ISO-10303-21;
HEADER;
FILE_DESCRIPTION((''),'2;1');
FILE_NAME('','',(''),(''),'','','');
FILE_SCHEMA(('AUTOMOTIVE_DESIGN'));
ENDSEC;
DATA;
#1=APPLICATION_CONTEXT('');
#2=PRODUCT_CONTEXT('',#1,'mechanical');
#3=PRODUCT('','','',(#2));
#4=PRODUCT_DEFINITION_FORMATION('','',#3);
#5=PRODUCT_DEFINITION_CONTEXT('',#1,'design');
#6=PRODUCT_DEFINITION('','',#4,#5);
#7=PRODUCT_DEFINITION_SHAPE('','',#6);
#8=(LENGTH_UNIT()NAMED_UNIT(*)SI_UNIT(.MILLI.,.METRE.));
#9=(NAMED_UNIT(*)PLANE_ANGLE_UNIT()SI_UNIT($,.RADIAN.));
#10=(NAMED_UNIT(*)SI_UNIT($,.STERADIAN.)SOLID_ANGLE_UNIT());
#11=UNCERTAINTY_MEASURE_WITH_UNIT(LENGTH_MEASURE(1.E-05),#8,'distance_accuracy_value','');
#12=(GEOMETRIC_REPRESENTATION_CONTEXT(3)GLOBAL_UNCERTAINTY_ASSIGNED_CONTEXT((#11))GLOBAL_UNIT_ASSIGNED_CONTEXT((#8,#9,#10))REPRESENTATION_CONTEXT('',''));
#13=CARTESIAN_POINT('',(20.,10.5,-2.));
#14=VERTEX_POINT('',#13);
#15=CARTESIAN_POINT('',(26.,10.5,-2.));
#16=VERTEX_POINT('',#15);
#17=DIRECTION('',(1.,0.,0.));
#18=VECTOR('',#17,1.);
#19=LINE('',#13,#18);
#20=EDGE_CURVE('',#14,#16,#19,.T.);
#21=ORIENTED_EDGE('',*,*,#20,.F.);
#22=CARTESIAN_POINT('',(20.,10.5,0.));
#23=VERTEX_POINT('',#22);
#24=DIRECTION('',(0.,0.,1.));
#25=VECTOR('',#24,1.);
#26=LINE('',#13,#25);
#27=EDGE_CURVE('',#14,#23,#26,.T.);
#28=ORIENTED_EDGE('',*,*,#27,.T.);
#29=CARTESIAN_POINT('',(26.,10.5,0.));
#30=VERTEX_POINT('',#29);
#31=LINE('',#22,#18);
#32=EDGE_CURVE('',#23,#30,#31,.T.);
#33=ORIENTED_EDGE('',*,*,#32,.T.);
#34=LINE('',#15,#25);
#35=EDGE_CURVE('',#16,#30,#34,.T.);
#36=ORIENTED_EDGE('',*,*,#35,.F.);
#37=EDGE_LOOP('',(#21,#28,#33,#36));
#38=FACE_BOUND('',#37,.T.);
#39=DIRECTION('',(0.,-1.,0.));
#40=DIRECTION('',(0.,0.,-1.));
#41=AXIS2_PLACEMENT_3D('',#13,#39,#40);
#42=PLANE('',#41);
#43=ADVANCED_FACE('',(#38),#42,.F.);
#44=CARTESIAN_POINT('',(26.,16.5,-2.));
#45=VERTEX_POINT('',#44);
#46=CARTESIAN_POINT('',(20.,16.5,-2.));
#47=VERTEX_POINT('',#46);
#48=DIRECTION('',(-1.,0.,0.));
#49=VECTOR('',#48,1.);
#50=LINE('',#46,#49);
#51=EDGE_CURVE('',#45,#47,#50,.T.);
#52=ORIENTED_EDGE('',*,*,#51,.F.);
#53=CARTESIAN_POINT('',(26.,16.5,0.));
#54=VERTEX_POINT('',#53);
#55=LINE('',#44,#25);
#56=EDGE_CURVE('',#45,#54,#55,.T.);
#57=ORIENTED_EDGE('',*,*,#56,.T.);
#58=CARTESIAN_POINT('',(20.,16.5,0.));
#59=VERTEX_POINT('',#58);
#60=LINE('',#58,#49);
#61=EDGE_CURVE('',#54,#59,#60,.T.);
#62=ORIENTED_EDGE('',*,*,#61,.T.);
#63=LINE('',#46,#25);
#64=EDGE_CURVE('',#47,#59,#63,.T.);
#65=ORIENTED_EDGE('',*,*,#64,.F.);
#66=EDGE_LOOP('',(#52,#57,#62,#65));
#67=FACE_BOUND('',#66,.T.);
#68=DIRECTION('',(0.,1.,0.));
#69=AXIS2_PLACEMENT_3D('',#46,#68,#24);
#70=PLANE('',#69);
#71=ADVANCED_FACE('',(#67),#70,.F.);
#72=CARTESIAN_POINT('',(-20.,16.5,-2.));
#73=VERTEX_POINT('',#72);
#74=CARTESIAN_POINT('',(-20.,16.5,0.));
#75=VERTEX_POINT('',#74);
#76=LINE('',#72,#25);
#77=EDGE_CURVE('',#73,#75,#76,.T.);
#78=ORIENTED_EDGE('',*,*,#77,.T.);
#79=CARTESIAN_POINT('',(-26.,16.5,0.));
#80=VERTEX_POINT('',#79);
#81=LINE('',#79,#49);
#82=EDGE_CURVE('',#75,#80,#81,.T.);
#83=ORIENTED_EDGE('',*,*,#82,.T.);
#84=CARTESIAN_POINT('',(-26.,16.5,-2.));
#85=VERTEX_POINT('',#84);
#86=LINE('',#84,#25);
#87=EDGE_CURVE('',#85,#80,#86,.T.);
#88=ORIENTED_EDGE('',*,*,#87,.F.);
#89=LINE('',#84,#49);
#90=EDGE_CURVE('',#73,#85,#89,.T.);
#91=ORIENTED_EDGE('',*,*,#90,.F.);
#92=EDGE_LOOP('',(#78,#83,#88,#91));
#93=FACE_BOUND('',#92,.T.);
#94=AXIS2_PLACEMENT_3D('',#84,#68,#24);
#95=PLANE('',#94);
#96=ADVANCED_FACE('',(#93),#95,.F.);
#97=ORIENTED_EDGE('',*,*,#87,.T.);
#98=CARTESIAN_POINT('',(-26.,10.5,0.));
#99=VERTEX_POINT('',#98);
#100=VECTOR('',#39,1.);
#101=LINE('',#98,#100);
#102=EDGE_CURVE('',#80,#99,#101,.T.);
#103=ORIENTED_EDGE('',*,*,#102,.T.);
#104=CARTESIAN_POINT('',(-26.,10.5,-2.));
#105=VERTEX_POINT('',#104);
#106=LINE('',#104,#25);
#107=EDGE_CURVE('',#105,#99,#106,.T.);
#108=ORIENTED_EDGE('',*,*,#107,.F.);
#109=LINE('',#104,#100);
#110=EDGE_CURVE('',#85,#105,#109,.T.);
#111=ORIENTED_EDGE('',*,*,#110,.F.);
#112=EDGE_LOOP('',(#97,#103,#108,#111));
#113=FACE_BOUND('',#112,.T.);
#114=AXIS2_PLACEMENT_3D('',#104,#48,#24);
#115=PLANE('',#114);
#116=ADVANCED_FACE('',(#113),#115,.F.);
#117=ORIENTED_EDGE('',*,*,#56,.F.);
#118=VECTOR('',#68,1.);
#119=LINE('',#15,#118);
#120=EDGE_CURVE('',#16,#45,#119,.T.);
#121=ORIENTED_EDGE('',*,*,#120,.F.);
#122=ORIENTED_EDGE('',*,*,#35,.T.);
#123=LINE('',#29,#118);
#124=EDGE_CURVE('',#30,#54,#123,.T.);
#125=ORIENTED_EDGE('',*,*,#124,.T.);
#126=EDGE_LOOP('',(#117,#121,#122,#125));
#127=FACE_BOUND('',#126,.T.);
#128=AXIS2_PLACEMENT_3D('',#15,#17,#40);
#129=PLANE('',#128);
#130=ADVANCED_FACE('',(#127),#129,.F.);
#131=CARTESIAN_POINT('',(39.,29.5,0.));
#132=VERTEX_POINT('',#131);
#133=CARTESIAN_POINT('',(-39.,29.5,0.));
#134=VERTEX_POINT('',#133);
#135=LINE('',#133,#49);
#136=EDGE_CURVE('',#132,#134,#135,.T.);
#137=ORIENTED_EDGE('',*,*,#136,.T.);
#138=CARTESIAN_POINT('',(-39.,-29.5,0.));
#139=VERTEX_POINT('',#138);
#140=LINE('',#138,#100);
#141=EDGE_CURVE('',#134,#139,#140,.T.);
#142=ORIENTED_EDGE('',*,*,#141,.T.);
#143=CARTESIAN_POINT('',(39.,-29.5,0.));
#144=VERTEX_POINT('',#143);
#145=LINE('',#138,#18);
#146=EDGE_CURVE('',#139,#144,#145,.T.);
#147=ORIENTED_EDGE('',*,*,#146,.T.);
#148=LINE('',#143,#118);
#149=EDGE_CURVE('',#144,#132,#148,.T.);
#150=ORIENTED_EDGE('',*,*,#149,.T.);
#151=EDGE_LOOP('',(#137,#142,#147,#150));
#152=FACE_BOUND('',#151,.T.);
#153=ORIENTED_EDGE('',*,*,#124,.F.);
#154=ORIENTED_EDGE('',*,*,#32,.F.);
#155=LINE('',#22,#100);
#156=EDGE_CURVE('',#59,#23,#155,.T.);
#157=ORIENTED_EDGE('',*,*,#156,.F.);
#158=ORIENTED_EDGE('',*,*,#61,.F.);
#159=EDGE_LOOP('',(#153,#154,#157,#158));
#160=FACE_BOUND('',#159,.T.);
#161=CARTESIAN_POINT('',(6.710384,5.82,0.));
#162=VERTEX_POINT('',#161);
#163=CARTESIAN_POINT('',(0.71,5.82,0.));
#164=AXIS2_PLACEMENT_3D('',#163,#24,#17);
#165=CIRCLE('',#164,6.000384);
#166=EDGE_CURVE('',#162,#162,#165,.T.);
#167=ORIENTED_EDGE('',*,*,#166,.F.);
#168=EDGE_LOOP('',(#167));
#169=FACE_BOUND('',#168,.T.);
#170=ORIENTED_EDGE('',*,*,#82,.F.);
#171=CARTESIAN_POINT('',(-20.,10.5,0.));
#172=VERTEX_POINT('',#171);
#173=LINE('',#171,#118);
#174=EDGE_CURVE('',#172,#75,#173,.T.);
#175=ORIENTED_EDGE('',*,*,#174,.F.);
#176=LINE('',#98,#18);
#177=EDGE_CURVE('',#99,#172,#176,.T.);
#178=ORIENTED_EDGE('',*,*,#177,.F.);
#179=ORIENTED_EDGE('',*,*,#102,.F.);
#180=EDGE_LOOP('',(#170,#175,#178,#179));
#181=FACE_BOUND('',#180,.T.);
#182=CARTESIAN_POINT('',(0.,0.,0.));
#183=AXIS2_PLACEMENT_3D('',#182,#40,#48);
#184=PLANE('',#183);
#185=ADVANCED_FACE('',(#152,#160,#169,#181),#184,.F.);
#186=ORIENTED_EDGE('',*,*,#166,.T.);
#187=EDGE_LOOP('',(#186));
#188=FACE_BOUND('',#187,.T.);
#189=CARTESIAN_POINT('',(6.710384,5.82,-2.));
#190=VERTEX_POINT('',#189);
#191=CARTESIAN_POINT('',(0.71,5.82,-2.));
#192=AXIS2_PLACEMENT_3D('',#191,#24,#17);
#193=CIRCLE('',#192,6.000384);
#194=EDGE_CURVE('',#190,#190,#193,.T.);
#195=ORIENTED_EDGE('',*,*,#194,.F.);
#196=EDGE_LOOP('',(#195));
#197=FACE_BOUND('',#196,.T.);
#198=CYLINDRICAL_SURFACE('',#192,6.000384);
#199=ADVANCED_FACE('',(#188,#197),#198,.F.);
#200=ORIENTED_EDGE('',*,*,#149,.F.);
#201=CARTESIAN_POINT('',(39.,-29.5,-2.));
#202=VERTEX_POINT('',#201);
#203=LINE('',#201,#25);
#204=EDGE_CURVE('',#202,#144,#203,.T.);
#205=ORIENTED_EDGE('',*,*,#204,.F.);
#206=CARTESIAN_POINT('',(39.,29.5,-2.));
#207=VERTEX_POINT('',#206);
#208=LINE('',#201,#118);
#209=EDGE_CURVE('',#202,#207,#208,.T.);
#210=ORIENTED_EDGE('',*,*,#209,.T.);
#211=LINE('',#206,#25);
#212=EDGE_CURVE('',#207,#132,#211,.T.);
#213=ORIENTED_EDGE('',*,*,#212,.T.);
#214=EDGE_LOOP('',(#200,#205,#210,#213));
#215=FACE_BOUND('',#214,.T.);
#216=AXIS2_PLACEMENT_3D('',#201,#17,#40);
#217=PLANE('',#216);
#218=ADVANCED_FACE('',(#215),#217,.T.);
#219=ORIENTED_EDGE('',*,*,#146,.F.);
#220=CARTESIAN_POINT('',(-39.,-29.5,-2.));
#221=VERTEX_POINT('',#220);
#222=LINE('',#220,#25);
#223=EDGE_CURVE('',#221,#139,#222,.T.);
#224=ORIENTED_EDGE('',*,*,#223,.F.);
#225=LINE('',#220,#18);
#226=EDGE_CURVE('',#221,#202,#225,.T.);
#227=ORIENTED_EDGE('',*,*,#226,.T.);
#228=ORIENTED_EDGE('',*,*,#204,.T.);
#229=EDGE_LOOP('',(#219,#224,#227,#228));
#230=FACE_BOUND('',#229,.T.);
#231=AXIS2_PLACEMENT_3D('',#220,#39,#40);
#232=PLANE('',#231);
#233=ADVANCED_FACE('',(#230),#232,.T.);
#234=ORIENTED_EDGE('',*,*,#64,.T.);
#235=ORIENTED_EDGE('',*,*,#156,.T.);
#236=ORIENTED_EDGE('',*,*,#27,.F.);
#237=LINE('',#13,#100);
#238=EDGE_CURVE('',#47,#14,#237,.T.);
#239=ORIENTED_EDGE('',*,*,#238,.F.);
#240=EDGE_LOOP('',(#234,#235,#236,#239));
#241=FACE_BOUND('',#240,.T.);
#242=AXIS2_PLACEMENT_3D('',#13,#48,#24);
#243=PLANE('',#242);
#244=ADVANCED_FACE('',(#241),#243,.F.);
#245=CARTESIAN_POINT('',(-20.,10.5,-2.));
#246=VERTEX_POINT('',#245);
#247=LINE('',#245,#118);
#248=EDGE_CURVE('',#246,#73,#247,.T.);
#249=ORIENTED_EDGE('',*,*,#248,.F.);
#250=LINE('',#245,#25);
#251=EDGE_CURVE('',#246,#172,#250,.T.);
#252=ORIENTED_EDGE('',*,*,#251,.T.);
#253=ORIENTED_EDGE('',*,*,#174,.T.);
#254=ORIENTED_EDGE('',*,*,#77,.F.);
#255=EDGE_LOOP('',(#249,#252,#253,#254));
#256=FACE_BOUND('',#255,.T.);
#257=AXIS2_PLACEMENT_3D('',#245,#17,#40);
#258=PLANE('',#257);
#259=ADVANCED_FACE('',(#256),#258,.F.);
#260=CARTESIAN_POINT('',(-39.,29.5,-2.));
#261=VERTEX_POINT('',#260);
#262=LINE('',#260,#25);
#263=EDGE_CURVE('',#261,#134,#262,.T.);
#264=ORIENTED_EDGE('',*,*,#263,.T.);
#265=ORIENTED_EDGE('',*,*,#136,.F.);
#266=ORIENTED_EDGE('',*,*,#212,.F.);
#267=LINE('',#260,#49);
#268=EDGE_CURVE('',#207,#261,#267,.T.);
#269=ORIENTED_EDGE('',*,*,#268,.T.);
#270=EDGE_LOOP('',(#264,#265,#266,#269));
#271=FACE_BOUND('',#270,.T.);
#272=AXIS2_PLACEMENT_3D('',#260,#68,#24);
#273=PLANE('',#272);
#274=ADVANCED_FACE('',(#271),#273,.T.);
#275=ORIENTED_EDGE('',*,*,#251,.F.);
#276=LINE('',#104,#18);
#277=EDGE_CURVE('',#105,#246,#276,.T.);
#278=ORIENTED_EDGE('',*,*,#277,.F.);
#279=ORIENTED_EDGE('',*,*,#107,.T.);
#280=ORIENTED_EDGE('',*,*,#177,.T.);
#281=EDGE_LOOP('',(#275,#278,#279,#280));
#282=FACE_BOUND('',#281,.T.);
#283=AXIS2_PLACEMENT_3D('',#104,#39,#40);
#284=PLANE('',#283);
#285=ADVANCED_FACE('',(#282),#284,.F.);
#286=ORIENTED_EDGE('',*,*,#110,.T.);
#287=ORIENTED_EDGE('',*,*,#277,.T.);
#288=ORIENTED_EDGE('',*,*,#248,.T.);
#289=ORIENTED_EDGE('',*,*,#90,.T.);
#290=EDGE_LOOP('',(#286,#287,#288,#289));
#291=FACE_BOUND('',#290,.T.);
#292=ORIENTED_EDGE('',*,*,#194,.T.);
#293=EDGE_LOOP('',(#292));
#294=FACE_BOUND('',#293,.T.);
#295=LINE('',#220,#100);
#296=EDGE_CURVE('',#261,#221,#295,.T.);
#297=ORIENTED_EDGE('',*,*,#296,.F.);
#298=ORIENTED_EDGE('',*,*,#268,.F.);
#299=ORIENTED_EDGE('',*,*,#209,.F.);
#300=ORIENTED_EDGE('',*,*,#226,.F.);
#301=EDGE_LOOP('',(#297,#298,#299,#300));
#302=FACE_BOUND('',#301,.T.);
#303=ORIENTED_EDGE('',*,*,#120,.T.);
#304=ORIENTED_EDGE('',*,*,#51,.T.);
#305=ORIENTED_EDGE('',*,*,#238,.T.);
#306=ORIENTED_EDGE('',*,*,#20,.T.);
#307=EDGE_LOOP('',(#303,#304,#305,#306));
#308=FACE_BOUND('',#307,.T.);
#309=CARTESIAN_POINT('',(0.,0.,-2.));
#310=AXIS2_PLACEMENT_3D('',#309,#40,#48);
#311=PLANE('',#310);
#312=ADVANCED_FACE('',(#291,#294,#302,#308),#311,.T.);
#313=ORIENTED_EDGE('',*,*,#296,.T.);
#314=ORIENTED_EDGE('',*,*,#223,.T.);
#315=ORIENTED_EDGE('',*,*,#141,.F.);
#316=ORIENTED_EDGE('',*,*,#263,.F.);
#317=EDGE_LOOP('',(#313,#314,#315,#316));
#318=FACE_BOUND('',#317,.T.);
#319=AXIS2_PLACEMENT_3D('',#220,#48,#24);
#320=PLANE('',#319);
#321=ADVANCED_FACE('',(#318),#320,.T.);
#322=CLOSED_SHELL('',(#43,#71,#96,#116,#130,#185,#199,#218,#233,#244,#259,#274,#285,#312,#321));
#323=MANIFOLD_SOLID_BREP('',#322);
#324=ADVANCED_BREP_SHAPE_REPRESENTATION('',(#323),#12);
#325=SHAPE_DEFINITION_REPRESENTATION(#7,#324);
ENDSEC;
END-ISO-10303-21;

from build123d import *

# Parameters (mm, degrees)
SKETCH1_W           = 78
SKETCH1_H           = 59
SKETCH1_R           = 6.000383827
SKETCH1_W_2         = 6
SKETCH1_H_2         = 6
BOSS_EXTRUDE1_DEPTH = 2


with BuildPart() as part:
    # Sketch1 → Boss-Extrude1 (new body)
    with BuildSketch(Plane.XY):
        Rectangle(SKETCH1_W, SKETCH1_H)
        with Locations((0.71, 5.82)):
            Circle(SKETCH1_R, mode=Mode.SUBTRACT)
        with Locations((-23, 13.5)):
            Rectangle(SKETCH1_W_2, SKETCH1_H_2, mode=Mode.SUBTRACT)
        with Locations((23, 13.5)):
            Rectangle(SKETCH1_W_2, SKETCH1_H_2, mode=Mode.SUBTRACT)
    extrude(amount=-BOSS_EXTRUDE1_DEPTH)


solid = part.part
